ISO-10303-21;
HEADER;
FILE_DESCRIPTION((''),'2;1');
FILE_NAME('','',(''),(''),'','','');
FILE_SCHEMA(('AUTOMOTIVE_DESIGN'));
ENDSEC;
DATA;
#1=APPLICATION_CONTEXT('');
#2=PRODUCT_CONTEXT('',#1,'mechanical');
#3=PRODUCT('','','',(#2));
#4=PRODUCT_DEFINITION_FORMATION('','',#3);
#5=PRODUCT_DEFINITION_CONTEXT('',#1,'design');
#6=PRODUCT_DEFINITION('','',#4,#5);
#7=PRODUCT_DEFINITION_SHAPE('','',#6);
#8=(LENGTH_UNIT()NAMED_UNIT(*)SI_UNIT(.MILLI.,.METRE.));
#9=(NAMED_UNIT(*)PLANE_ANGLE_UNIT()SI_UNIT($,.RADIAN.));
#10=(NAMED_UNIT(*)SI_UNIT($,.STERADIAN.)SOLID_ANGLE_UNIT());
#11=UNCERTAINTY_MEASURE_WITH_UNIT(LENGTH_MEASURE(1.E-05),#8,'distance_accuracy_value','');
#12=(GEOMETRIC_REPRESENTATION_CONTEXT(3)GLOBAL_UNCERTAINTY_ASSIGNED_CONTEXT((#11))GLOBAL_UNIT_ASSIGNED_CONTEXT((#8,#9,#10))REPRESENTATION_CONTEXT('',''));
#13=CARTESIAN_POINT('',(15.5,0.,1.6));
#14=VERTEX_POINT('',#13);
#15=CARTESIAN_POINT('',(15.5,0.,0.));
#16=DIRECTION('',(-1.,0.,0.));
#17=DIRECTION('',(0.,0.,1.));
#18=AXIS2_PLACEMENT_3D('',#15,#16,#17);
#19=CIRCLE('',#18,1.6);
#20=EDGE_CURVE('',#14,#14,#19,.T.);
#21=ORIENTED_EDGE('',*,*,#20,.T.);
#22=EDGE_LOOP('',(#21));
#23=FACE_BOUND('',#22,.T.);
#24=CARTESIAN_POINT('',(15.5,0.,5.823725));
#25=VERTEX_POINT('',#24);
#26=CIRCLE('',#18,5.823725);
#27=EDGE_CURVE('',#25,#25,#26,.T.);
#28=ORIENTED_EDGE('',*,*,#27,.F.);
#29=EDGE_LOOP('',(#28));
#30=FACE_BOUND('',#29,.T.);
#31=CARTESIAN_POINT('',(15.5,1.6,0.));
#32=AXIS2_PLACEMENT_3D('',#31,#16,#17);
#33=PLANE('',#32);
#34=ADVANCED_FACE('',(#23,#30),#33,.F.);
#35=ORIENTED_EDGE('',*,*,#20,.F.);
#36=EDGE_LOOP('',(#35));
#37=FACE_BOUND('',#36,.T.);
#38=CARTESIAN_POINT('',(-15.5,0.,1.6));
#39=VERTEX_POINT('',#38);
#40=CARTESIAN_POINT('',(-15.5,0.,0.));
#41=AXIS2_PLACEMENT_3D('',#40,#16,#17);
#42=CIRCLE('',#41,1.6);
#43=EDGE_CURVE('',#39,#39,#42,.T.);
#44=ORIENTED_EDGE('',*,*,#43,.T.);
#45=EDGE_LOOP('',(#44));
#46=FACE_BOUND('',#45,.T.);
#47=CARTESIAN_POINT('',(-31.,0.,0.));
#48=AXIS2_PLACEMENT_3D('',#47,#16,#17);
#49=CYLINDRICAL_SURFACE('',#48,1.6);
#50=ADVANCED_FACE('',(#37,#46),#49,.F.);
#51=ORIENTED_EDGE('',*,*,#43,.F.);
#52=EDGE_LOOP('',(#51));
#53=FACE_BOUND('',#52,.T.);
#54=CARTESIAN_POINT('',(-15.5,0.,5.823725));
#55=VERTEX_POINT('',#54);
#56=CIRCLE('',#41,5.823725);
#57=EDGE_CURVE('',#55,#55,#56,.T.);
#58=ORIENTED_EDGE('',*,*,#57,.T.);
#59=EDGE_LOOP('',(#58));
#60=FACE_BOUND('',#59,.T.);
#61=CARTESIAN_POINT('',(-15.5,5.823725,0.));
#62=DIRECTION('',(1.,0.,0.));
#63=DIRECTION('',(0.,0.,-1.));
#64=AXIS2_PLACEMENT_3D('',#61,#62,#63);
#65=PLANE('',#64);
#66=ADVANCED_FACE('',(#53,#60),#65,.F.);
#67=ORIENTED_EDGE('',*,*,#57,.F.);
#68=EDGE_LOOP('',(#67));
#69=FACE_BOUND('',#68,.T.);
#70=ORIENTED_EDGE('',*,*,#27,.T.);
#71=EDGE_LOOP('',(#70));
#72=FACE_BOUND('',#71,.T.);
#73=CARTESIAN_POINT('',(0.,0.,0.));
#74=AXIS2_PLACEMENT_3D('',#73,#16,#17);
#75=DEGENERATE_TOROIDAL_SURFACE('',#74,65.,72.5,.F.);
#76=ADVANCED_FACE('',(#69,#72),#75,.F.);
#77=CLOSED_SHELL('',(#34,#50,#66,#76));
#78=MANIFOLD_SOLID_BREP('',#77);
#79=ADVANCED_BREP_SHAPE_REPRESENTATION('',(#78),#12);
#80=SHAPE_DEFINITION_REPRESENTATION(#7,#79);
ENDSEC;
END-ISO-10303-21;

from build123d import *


with BuildPart() as part:
    # Profile → Roller (revolve)
    with BuildSketch(Plane.XY, mode=Mode.PRIVATE) as roller_sk:
        with BuildLine():
            Line((-15.5, 1.6), (15.5, 1.6))
            Line((15.5, 1.6), (15.5, 5.823724839))
            ThreePointArc((15.5, 5.823724839), (0, 7.5), (-15.5, 5.823724839))
            Line((-15.5, 5.823724839), (-15.5, 1.6))
        make_face()
    revolve(roller_sk.sketch.rotate(Axis((-31, 0, 0), (1, 0, 0)), 90), axis=Axis((-31, 0, 0), (1, 0, 0)))


solid = part.part
